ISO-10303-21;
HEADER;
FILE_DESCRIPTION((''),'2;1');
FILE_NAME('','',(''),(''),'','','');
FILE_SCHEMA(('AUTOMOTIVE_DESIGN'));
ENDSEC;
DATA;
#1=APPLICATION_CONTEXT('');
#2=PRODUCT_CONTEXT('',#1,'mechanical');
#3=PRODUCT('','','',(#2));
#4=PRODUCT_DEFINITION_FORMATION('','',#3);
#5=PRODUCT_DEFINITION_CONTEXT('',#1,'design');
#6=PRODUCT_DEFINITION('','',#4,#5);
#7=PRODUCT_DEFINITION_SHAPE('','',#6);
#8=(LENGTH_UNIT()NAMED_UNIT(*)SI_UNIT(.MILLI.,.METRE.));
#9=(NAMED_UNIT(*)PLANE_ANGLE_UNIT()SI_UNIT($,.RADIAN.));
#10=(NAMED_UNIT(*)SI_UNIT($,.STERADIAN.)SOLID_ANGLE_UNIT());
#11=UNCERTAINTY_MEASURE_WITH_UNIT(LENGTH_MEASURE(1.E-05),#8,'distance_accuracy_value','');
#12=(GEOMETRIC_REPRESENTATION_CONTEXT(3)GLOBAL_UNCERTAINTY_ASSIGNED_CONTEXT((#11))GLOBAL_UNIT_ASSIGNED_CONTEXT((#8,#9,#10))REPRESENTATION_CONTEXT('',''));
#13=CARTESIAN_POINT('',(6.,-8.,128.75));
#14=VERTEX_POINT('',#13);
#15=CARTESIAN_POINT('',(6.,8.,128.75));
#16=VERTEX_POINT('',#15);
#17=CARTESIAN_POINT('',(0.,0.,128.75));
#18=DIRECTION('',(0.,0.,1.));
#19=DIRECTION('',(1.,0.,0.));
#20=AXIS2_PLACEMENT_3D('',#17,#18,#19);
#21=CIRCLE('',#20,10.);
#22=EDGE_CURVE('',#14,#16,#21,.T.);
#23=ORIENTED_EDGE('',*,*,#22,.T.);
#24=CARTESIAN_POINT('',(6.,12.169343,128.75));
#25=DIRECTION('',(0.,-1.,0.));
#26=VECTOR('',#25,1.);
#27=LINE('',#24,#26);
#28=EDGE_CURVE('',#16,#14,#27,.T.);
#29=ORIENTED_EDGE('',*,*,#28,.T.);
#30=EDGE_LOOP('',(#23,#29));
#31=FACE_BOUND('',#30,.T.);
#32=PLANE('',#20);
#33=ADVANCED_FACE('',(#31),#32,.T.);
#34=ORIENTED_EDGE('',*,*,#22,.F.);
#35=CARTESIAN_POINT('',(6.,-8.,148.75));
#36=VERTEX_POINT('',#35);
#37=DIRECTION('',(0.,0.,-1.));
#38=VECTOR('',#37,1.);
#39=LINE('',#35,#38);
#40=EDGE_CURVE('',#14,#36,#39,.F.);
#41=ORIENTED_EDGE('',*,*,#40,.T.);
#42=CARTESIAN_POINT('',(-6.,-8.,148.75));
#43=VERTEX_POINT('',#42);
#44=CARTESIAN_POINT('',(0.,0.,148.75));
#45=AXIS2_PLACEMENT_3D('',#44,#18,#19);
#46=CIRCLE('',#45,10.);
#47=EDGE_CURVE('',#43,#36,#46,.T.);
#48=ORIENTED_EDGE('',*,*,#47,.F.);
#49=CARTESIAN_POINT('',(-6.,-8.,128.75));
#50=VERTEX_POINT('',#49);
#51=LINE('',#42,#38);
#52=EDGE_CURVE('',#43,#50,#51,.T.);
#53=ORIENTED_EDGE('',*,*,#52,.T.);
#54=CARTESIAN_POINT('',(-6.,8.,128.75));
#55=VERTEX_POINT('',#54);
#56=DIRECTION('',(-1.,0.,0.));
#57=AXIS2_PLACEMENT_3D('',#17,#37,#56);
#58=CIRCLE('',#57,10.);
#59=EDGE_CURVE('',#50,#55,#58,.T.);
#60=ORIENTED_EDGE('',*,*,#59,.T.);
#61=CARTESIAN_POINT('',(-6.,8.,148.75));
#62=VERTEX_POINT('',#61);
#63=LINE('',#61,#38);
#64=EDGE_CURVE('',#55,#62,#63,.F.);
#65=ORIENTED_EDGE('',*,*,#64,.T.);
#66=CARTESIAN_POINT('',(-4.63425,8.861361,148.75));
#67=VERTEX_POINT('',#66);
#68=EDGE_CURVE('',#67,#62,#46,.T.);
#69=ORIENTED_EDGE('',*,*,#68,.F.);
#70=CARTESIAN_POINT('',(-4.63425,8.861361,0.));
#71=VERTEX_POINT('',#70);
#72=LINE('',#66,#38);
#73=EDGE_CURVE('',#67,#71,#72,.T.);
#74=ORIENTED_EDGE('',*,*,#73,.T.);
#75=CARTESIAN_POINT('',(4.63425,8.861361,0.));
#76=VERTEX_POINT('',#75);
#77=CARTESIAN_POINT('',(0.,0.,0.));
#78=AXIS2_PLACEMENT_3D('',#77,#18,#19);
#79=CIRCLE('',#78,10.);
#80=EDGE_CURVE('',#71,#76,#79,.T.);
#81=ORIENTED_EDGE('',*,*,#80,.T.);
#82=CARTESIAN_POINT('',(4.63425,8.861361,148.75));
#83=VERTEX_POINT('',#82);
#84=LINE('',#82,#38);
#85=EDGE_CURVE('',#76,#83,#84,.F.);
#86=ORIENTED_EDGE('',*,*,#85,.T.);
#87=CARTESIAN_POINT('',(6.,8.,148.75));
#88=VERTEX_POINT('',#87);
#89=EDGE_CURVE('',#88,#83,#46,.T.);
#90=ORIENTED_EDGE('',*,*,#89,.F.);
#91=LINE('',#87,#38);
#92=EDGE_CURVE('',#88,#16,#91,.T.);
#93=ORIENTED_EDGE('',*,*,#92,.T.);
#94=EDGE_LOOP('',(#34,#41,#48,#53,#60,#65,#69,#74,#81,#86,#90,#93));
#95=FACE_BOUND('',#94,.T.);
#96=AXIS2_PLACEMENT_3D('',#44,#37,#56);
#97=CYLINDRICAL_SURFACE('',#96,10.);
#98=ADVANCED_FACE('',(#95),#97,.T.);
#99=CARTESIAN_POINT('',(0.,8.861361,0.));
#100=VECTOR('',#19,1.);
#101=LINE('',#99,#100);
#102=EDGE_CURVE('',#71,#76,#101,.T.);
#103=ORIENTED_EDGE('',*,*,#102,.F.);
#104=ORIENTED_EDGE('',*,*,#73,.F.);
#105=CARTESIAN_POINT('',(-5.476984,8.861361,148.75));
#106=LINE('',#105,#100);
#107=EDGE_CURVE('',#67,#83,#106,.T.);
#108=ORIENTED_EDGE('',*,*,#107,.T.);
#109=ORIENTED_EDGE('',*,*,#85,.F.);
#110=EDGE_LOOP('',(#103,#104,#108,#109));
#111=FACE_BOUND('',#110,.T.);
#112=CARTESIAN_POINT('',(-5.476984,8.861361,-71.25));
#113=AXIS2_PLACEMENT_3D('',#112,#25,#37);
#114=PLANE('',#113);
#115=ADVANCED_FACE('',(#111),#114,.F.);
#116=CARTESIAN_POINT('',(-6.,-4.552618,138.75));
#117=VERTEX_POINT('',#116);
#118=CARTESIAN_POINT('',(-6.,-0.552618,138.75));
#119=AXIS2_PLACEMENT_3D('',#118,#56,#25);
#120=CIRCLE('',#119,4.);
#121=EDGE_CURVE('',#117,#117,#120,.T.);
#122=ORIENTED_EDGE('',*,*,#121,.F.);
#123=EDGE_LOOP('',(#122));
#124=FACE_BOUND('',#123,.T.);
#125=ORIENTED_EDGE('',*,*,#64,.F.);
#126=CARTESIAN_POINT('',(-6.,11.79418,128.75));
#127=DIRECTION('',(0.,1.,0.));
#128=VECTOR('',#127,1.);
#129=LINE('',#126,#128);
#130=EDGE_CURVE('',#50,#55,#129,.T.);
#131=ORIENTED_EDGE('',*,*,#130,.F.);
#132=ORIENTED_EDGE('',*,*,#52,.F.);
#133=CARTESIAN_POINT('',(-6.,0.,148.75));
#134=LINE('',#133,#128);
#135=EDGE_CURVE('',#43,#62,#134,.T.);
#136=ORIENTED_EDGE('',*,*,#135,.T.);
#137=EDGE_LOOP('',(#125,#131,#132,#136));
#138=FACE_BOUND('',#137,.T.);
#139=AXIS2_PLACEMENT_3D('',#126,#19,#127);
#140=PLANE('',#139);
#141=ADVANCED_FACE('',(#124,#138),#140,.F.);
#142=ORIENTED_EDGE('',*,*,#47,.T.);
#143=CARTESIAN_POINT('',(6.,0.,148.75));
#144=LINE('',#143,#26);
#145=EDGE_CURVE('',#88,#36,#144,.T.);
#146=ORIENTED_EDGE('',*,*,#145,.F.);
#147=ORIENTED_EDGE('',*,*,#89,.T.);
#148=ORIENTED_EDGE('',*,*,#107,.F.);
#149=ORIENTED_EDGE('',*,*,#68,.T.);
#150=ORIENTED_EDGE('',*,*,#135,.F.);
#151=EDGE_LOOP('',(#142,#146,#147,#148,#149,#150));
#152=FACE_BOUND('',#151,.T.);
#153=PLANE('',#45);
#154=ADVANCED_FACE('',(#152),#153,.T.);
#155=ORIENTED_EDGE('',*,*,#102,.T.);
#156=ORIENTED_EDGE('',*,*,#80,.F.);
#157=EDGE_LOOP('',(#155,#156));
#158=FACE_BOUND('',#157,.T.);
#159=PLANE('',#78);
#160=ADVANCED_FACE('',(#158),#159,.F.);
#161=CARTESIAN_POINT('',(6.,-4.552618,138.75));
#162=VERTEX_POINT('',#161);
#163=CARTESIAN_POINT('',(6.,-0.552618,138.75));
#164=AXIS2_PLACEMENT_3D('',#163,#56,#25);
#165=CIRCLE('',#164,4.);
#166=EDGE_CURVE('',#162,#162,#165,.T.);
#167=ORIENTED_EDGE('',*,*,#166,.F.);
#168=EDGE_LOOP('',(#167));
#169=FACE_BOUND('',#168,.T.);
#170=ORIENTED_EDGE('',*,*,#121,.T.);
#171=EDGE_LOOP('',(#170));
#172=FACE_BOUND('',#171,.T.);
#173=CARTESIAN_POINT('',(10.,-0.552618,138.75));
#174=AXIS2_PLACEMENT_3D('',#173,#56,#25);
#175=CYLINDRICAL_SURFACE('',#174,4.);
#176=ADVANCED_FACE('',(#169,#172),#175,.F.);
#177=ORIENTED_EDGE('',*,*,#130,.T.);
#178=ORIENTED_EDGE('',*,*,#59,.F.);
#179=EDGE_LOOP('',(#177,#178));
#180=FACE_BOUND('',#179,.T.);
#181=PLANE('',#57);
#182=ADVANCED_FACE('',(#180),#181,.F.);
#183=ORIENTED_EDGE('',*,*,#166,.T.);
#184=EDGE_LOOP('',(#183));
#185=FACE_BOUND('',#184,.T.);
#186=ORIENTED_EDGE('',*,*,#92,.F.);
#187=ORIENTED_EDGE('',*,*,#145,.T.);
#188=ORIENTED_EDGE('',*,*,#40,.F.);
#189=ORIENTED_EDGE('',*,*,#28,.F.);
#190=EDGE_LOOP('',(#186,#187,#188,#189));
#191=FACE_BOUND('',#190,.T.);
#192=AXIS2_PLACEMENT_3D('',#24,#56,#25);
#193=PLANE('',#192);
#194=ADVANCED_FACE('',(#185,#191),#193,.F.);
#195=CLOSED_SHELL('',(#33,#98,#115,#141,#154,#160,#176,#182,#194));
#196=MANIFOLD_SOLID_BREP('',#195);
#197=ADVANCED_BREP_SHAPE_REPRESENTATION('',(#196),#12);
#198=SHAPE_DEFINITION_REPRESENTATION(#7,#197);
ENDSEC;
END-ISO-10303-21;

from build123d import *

# Parameters (mm, degrees)
CROQUIS1_R              = 10
SALIENTE_EXTRUIR1_DEPTH = 148.75
CROQUIS2_W              = 8.300476758
CROQUIS2_H              = 25.089011669
CROQUIS2_W_2            = 8.253581409
CROQUIS2_H_2            = 26.542767485
CORTAR_EXTRUIR1_DEPTH   = 20
CROQUIS3_W              = 10.62874173
CROQUIS3_H              = 2.099903381
CORTAR_EXTRUIR2_DEPTH   = 220
CROQUIS4_R              = 4
CORTAR_EXTRUIR3_DEPTH   = 150.941863734


with BuildPart() as part:
    # Croquis1 → Saliente-Extruir1 (new body)
    with BuildSketch(Plane.XY):
        Circle(CROQUIS1_R)
    extrude(amount=SALIENTE_EXTRUIR1_DEPTH)

    # Croquis2 → Cortar-Extruir1 (cut)
    with BuildSketch(Plane.XY.offset(148.75)):
        with Locations((-10.150238379, -0.750325583)):
            Rectangle(CROQUIS2_W, CROQUIS2_H)
        with Locations((10.126790704, -1.102040699)):
            Rectangle(CROQUIS2_W_2, CROQUIS2_H_2)
    extrude(amount=-CORTAR_EXTRUIR1_DEPTH, mode=Mode.SUBTRACT)

    # Croquis3 → Cortar-Extruir2 (cut)
    with BuildSketch(Plane.XY.offset(148.75)):
        with Locations((-0.162613374, 9.911313118)):
            Rectangle(CROQUIS3_W, CROQUIS3_H)
    extrude(amount=-CORTAR_EXTRUIR2_DEPTH, mode=Mode.SUBTRACT)

    # Croquis4 → Cortar-Extruir3 (cut, through all)
    with BuildSketch(Plane.ZY.offset(6)):
        with Locations(Location((138.75, -0.552617742, 0), (0, 0, 270))):
            Circle(CROQUIS4_R)
    extrude(amount=-CORTAR_EXTRUIR3_DEPTH, mode=Mode.SUBTRACT)


solid = part.part
